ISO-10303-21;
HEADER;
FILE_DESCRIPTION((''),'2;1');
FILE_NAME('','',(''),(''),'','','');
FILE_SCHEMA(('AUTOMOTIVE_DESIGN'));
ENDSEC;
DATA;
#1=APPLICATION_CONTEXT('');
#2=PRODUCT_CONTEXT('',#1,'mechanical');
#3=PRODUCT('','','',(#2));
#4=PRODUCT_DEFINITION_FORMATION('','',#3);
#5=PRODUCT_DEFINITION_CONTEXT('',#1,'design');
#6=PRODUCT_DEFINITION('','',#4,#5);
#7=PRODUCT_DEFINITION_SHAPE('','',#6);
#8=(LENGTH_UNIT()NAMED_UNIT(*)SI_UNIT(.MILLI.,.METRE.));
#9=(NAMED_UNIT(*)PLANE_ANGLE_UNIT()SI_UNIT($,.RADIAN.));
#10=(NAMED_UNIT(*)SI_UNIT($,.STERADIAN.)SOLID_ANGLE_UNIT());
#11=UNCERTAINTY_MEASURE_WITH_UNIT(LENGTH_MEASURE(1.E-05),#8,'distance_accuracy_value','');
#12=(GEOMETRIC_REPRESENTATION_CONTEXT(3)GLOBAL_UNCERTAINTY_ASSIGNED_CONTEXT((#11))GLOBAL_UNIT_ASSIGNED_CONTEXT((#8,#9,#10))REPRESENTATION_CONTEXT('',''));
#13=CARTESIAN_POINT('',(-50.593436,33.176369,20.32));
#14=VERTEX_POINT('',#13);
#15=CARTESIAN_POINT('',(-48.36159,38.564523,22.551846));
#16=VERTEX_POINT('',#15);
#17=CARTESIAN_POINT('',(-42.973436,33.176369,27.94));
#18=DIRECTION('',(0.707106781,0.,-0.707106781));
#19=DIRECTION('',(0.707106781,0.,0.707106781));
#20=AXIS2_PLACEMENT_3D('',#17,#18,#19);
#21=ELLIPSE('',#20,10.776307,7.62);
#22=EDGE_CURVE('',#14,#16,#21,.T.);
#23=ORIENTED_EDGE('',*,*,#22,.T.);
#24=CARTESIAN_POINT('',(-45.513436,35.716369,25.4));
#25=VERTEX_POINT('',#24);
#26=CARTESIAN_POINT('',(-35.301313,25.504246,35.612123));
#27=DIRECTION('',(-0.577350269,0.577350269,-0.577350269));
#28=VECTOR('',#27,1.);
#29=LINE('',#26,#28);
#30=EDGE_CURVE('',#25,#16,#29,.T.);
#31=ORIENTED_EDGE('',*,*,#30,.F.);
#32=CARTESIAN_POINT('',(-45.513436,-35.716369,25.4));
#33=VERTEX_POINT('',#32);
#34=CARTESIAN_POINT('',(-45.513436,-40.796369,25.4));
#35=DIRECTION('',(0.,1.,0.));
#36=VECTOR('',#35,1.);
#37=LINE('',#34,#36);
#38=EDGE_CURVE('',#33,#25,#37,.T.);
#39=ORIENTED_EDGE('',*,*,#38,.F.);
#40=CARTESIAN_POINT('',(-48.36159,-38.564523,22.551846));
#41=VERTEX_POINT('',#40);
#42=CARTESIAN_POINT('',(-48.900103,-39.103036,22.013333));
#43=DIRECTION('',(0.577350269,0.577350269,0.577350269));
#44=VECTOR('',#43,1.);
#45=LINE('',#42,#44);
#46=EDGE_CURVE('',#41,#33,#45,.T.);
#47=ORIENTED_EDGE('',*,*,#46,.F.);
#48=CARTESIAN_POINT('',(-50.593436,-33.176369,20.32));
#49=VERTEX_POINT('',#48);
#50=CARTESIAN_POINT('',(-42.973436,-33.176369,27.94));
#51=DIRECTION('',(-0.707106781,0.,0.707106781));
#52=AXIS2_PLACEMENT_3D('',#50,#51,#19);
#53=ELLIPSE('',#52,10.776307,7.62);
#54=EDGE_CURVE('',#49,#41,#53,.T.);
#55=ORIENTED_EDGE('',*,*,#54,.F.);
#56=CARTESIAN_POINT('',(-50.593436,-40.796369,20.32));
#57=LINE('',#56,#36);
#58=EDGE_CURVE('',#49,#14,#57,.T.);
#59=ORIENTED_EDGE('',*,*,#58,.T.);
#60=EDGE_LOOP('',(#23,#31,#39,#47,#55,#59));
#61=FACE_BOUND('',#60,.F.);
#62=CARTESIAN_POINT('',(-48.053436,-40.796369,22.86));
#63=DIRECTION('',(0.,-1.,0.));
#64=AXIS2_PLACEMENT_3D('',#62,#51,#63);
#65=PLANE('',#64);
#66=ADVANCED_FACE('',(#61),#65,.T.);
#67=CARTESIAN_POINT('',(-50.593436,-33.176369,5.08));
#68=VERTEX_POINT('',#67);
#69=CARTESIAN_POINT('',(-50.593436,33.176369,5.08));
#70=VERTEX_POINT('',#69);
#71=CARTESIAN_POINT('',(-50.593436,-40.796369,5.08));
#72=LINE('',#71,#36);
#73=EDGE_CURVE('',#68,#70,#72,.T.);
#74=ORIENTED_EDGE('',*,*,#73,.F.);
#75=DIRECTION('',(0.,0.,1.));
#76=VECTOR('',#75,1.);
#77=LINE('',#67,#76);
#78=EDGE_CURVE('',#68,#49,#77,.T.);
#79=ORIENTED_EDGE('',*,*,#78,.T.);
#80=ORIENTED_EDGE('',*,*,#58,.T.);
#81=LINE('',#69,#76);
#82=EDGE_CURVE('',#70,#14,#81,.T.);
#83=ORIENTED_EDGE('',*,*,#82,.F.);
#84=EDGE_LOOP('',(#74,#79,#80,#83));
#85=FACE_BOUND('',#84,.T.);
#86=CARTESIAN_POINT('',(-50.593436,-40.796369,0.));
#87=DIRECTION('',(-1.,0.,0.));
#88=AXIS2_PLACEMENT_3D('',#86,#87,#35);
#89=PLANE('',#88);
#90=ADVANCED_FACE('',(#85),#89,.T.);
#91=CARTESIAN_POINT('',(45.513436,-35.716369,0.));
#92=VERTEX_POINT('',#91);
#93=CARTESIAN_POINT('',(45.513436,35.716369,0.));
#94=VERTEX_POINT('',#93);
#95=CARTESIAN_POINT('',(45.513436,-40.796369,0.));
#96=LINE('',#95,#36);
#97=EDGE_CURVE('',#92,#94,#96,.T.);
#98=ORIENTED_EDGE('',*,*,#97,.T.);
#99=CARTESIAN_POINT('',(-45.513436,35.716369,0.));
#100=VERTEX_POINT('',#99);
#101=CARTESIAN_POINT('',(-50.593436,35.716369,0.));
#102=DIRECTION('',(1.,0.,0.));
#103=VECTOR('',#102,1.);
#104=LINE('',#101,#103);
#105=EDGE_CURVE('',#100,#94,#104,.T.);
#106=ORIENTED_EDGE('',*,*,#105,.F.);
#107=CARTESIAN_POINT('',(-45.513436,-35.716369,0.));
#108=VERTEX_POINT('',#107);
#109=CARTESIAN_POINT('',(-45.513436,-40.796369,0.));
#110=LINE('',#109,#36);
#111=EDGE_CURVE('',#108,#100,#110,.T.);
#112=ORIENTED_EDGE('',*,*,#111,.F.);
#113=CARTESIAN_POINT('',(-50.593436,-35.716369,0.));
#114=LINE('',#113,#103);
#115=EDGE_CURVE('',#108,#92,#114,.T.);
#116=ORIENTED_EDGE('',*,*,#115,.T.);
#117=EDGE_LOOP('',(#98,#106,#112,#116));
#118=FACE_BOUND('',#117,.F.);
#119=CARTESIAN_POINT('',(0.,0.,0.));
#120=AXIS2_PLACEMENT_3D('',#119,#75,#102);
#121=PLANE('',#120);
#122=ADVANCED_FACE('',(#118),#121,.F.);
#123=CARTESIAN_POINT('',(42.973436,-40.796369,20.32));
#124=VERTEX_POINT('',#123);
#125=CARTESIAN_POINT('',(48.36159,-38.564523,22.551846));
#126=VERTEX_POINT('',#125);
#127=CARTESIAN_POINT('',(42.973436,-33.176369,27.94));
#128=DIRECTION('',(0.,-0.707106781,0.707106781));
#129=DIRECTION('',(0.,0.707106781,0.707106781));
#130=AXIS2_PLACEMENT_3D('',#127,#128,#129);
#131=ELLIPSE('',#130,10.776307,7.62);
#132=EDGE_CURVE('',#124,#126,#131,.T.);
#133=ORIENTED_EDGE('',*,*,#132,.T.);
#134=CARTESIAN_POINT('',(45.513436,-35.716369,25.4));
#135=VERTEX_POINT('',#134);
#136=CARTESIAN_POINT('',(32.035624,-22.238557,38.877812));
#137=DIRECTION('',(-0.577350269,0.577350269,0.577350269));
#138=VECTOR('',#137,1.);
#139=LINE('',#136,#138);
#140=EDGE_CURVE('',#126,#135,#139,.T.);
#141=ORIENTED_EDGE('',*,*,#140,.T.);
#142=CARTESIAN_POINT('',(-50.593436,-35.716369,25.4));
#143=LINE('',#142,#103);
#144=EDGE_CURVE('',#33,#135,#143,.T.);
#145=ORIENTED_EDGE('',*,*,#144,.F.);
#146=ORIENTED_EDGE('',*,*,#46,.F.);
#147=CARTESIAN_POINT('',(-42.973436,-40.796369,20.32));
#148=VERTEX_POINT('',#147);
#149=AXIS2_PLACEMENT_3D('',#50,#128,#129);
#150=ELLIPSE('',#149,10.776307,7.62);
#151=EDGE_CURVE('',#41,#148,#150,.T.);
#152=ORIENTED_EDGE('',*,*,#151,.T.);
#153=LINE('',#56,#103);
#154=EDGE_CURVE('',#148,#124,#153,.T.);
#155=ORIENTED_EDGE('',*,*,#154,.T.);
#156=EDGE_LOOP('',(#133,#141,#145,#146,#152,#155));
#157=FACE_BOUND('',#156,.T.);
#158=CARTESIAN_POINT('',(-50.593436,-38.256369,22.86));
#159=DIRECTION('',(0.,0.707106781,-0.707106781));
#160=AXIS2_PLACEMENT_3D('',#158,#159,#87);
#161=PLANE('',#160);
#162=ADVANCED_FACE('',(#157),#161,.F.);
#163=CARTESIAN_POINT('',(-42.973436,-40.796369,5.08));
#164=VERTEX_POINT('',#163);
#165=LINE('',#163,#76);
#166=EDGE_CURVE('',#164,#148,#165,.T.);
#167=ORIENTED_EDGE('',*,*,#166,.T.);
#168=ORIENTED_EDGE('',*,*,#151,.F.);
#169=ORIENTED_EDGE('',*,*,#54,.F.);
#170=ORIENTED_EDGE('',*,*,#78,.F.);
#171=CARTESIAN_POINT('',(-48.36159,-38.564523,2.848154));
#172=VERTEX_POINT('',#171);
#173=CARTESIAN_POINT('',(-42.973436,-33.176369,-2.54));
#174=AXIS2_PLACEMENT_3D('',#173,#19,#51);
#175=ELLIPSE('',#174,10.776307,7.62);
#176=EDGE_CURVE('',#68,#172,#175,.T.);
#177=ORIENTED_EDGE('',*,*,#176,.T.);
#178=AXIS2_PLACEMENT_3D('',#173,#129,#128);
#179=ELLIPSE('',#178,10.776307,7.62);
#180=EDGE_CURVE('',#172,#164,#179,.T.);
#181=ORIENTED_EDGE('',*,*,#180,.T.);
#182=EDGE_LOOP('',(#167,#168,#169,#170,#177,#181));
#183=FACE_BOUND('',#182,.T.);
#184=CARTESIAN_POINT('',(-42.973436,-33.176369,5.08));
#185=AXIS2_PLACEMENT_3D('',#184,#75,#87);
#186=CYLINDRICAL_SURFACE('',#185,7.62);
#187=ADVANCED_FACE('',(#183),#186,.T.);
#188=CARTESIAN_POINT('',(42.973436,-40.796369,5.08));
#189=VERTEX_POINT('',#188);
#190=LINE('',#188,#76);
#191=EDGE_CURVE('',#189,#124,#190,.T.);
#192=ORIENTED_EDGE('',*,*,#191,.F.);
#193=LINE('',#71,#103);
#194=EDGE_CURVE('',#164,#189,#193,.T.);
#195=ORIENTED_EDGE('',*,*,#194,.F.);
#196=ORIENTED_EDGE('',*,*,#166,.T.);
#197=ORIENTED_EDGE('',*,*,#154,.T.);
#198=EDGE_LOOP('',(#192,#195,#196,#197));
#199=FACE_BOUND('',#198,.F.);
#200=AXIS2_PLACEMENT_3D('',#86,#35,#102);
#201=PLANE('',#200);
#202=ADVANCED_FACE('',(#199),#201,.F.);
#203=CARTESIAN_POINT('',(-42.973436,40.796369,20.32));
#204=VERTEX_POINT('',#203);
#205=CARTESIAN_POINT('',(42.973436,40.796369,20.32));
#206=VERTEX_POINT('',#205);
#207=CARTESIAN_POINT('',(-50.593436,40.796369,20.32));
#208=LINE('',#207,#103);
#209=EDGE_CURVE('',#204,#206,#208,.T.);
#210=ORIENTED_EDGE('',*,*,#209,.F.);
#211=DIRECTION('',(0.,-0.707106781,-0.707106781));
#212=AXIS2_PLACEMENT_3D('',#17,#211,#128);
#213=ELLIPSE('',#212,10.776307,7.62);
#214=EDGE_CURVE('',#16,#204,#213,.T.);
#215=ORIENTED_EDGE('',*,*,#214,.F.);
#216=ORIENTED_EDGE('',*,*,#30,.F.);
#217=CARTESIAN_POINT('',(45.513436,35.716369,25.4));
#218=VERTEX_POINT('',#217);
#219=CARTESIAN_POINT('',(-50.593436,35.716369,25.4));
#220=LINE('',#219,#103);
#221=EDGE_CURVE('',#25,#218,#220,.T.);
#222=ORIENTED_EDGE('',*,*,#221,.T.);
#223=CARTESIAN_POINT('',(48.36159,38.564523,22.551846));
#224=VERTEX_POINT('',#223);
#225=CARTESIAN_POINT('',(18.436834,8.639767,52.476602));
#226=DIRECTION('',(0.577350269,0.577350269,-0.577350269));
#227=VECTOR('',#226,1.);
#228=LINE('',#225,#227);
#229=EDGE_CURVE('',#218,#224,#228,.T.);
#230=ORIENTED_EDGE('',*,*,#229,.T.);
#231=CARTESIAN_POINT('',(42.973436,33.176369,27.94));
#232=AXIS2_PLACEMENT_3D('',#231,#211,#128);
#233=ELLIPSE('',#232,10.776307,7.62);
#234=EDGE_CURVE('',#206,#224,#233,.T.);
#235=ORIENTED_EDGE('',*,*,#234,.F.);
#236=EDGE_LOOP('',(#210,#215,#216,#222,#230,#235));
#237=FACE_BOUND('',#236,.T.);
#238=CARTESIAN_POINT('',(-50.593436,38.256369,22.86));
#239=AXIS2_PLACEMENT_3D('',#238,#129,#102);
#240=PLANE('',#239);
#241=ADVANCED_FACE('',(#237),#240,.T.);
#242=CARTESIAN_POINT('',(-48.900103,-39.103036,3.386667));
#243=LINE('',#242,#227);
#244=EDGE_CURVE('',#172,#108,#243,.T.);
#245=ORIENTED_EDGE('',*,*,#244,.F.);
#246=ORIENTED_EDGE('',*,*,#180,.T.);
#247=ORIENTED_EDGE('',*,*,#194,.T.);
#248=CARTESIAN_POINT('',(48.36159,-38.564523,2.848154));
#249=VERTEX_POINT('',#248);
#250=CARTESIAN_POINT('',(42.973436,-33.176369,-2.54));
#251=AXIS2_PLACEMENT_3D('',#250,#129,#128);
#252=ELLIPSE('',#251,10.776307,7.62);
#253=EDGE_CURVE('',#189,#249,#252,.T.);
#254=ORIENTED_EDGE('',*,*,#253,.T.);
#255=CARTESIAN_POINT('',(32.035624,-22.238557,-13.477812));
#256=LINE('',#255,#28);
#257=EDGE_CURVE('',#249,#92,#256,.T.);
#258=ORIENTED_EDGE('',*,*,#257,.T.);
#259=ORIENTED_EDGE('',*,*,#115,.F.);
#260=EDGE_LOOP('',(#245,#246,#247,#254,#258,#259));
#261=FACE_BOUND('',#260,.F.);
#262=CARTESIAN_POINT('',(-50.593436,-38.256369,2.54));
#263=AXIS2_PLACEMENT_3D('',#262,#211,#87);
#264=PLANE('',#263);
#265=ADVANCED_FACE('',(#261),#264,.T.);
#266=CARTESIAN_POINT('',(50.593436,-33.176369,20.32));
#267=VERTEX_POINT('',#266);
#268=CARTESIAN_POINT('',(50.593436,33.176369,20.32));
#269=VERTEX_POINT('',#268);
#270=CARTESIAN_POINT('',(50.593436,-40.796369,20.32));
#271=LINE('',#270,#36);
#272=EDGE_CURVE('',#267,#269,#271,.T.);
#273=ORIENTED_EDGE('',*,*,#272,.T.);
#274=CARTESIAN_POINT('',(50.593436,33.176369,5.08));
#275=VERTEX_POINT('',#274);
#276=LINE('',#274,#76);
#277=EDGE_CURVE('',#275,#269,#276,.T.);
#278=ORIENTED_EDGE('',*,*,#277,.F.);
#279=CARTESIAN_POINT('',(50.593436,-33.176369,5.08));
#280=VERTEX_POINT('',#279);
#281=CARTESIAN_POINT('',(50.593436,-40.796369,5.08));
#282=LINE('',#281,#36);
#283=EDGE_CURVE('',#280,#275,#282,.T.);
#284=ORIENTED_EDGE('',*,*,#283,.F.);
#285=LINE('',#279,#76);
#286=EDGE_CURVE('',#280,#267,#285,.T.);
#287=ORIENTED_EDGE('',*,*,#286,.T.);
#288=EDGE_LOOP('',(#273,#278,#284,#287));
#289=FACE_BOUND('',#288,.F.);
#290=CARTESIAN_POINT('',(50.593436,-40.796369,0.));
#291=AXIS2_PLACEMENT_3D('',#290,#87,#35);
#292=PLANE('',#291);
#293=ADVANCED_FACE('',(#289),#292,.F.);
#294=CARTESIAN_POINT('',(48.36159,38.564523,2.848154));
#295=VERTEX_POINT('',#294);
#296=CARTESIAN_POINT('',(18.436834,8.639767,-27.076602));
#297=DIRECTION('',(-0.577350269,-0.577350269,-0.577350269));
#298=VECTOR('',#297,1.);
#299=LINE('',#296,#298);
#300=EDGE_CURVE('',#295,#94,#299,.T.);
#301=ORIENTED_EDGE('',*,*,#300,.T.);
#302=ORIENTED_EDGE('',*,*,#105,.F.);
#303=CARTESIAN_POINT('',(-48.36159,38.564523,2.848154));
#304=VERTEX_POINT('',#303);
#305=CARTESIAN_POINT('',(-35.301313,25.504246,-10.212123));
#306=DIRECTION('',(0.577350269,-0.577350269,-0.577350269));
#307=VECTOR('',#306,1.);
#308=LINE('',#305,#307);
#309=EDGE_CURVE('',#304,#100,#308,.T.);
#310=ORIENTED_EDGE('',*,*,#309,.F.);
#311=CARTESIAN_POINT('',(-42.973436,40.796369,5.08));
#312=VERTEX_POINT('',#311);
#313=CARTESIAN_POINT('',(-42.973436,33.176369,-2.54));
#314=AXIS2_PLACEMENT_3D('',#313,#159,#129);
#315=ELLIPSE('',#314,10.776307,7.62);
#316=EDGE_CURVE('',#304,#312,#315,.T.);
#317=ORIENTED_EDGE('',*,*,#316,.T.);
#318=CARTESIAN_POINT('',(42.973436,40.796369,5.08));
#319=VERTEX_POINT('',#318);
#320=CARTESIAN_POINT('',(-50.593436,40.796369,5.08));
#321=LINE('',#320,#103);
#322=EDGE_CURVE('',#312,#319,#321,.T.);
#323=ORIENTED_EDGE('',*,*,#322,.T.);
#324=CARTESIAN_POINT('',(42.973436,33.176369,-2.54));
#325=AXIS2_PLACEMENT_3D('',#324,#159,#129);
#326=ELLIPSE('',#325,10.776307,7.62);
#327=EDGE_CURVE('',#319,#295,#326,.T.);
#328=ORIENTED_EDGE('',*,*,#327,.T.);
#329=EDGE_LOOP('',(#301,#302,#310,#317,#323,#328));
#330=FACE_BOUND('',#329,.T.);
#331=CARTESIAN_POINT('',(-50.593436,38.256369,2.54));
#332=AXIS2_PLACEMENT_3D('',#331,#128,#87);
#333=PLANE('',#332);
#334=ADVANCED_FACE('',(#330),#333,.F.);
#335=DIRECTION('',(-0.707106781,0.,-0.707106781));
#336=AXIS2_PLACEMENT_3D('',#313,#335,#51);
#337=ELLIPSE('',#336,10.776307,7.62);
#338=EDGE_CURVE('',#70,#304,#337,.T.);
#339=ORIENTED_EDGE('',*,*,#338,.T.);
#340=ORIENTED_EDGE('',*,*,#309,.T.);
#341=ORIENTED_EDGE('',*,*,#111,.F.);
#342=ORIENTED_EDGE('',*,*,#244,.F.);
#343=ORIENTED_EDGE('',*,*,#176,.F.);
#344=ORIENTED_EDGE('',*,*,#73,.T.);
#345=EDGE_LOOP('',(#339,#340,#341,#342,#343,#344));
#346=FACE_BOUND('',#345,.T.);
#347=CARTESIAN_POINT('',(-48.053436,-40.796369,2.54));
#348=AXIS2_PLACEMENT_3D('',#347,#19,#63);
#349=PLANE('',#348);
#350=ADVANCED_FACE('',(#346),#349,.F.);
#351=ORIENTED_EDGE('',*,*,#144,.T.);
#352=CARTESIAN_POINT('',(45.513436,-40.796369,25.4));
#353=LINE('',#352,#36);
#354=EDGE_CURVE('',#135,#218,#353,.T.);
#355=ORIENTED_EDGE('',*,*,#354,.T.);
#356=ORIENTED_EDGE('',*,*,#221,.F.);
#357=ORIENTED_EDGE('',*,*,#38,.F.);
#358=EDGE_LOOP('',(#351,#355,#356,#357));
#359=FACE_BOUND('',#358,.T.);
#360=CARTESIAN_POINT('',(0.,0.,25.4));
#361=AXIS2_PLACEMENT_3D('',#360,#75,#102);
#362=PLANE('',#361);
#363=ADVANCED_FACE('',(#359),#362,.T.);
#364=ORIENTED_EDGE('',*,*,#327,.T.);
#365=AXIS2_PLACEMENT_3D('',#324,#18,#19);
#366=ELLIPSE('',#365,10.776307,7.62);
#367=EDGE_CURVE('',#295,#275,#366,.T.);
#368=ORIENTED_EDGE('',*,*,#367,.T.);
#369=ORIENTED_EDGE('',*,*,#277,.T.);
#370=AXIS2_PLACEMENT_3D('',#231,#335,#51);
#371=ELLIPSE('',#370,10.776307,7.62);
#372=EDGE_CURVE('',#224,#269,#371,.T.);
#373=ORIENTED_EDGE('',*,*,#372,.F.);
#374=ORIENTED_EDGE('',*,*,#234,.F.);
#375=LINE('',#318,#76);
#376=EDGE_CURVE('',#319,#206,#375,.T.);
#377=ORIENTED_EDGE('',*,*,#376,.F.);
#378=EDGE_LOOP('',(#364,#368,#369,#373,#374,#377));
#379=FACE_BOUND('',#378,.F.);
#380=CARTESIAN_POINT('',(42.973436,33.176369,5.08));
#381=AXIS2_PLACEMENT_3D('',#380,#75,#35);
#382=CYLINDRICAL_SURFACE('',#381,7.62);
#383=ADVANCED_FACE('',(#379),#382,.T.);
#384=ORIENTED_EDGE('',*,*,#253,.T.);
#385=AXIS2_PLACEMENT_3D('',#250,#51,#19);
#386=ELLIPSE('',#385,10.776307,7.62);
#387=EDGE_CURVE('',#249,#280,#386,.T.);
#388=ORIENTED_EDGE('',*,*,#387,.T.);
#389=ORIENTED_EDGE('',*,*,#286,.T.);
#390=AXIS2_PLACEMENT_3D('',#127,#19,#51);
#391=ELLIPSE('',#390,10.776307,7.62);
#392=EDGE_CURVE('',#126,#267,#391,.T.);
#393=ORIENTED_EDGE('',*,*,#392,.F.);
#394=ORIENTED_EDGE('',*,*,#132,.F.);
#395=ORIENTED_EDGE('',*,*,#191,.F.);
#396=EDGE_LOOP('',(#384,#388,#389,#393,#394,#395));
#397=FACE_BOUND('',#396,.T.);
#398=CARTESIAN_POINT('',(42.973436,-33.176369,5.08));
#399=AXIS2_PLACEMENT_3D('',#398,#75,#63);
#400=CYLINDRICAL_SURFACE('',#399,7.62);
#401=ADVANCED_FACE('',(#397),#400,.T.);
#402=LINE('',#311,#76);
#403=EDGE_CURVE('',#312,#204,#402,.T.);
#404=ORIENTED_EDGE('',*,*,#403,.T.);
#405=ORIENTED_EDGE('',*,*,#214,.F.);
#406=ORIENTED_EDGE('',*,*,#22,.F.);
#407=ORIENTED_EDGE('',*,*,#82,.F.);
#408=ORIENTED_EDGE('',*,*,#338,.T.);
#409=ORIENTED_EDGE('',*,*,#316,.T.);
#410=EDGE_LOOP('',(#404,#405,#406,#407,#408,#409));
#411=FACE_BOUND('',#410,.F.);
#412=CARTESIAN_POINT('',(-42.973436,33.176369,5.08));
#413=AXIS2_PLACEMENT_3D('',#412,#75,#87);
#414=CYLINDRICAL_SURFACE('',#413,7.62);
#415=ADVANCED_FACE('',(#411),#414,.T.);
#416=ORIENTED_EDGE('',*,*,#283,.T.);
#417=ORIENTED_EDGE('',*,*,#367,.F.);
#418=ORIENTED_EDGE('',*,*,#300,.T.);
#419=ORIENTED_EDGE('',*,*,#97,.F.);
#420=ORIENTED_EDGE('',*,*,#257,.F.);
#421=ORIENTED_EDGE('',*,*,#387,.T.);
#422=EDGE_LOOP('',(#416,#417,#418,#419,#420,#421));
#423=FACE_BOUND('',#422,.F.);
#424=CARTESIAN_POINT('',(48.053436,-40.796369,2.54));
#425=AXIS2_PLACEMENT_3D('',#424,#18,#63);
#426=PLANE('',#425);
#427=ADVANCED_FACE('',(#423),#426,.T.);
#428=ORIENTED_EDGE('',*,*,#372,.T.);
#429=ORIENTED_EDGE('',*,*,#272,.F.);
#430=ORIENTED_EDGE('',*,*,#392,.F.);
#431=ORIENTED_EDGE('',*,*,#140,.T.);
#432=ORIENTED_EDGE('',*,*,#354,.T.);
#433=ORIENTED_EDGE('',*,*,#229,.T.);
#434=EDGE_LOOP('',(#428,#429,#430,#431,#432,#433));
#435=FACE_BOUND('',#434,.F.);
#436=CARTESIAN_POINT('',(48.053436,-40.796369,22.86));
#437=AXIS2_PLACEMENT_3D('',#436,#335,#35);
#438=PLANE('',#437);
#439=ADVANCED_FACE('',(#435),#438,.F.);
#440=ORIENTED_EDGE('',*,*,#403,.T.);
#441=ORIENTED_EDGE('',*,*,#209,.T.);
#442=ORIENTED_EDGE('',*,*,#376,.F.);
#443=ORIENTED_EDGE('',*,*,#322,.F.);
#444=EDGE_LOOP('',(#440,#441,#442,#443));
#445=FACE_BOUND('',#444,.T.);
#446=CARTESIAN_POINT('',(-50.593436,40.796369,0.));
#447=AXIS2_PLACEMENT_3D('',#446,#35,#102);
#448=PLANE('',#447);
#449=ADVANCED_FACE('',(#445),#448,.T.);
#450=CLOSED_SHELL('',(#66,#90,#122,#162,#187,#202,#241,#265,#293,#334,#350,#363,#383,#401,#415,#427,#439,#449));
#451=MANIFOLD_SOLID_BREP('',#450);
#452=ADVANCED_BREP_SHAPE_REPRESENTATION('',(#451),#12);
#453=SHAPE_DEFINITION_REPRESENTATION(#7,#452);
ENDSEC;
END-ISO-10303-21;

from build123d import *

# Parameters (mm, degrees)
F0_W     = 101.186872
F0_H     = 81.592738
F1_DEPTH = 25.4
F2_SIZE  = 5.08
F3_SIZE  = 5.08
F4_R     = 7.62


with BuildPart() as f1:
    # F0 (on Top) → F1 (new body)
    with BuildSketch(Plane.XY):
        Rectangle(F0_W, F0_H)
    extrude(amount=F1_DEPTH)

    # F2
    f2_edges = [f1.edges().sort_by_distance(p)[0] for p in [
        (0, -40.796369, 0),
        (-50.593436, 0, 0),
        (0, 40.796369, 0),
        (50.593436, 0, 0),
    ]]
    chamfer(f2_edges, length=F2_SIZE)

    # F3
    f3_edges = [f1.edges().sort_by_distance(p)[0] for p in [
        (0, -40.796369, 25.4),
        (50.593436, 0, 25.4),
        (0, 40.796369, 25.4),
        (-50.593436, 0, 25.4),
    ]]
    chamfer(f3_edges, length=F3_SIZE)

    # F4
    f4_edges = [f1.edges().sort_by_distance(p)[0] for p in [
        (-50.593436, -40.796369, 12.7),
        (-50.593436, 40.796369, 12.7),
        (50.593436, 40.796369, 12.7),
        (50.593436, -40.796369, 12.7),
    ]]
    fillet(f4_edges, radius=F4_R)


solid = f1.part
